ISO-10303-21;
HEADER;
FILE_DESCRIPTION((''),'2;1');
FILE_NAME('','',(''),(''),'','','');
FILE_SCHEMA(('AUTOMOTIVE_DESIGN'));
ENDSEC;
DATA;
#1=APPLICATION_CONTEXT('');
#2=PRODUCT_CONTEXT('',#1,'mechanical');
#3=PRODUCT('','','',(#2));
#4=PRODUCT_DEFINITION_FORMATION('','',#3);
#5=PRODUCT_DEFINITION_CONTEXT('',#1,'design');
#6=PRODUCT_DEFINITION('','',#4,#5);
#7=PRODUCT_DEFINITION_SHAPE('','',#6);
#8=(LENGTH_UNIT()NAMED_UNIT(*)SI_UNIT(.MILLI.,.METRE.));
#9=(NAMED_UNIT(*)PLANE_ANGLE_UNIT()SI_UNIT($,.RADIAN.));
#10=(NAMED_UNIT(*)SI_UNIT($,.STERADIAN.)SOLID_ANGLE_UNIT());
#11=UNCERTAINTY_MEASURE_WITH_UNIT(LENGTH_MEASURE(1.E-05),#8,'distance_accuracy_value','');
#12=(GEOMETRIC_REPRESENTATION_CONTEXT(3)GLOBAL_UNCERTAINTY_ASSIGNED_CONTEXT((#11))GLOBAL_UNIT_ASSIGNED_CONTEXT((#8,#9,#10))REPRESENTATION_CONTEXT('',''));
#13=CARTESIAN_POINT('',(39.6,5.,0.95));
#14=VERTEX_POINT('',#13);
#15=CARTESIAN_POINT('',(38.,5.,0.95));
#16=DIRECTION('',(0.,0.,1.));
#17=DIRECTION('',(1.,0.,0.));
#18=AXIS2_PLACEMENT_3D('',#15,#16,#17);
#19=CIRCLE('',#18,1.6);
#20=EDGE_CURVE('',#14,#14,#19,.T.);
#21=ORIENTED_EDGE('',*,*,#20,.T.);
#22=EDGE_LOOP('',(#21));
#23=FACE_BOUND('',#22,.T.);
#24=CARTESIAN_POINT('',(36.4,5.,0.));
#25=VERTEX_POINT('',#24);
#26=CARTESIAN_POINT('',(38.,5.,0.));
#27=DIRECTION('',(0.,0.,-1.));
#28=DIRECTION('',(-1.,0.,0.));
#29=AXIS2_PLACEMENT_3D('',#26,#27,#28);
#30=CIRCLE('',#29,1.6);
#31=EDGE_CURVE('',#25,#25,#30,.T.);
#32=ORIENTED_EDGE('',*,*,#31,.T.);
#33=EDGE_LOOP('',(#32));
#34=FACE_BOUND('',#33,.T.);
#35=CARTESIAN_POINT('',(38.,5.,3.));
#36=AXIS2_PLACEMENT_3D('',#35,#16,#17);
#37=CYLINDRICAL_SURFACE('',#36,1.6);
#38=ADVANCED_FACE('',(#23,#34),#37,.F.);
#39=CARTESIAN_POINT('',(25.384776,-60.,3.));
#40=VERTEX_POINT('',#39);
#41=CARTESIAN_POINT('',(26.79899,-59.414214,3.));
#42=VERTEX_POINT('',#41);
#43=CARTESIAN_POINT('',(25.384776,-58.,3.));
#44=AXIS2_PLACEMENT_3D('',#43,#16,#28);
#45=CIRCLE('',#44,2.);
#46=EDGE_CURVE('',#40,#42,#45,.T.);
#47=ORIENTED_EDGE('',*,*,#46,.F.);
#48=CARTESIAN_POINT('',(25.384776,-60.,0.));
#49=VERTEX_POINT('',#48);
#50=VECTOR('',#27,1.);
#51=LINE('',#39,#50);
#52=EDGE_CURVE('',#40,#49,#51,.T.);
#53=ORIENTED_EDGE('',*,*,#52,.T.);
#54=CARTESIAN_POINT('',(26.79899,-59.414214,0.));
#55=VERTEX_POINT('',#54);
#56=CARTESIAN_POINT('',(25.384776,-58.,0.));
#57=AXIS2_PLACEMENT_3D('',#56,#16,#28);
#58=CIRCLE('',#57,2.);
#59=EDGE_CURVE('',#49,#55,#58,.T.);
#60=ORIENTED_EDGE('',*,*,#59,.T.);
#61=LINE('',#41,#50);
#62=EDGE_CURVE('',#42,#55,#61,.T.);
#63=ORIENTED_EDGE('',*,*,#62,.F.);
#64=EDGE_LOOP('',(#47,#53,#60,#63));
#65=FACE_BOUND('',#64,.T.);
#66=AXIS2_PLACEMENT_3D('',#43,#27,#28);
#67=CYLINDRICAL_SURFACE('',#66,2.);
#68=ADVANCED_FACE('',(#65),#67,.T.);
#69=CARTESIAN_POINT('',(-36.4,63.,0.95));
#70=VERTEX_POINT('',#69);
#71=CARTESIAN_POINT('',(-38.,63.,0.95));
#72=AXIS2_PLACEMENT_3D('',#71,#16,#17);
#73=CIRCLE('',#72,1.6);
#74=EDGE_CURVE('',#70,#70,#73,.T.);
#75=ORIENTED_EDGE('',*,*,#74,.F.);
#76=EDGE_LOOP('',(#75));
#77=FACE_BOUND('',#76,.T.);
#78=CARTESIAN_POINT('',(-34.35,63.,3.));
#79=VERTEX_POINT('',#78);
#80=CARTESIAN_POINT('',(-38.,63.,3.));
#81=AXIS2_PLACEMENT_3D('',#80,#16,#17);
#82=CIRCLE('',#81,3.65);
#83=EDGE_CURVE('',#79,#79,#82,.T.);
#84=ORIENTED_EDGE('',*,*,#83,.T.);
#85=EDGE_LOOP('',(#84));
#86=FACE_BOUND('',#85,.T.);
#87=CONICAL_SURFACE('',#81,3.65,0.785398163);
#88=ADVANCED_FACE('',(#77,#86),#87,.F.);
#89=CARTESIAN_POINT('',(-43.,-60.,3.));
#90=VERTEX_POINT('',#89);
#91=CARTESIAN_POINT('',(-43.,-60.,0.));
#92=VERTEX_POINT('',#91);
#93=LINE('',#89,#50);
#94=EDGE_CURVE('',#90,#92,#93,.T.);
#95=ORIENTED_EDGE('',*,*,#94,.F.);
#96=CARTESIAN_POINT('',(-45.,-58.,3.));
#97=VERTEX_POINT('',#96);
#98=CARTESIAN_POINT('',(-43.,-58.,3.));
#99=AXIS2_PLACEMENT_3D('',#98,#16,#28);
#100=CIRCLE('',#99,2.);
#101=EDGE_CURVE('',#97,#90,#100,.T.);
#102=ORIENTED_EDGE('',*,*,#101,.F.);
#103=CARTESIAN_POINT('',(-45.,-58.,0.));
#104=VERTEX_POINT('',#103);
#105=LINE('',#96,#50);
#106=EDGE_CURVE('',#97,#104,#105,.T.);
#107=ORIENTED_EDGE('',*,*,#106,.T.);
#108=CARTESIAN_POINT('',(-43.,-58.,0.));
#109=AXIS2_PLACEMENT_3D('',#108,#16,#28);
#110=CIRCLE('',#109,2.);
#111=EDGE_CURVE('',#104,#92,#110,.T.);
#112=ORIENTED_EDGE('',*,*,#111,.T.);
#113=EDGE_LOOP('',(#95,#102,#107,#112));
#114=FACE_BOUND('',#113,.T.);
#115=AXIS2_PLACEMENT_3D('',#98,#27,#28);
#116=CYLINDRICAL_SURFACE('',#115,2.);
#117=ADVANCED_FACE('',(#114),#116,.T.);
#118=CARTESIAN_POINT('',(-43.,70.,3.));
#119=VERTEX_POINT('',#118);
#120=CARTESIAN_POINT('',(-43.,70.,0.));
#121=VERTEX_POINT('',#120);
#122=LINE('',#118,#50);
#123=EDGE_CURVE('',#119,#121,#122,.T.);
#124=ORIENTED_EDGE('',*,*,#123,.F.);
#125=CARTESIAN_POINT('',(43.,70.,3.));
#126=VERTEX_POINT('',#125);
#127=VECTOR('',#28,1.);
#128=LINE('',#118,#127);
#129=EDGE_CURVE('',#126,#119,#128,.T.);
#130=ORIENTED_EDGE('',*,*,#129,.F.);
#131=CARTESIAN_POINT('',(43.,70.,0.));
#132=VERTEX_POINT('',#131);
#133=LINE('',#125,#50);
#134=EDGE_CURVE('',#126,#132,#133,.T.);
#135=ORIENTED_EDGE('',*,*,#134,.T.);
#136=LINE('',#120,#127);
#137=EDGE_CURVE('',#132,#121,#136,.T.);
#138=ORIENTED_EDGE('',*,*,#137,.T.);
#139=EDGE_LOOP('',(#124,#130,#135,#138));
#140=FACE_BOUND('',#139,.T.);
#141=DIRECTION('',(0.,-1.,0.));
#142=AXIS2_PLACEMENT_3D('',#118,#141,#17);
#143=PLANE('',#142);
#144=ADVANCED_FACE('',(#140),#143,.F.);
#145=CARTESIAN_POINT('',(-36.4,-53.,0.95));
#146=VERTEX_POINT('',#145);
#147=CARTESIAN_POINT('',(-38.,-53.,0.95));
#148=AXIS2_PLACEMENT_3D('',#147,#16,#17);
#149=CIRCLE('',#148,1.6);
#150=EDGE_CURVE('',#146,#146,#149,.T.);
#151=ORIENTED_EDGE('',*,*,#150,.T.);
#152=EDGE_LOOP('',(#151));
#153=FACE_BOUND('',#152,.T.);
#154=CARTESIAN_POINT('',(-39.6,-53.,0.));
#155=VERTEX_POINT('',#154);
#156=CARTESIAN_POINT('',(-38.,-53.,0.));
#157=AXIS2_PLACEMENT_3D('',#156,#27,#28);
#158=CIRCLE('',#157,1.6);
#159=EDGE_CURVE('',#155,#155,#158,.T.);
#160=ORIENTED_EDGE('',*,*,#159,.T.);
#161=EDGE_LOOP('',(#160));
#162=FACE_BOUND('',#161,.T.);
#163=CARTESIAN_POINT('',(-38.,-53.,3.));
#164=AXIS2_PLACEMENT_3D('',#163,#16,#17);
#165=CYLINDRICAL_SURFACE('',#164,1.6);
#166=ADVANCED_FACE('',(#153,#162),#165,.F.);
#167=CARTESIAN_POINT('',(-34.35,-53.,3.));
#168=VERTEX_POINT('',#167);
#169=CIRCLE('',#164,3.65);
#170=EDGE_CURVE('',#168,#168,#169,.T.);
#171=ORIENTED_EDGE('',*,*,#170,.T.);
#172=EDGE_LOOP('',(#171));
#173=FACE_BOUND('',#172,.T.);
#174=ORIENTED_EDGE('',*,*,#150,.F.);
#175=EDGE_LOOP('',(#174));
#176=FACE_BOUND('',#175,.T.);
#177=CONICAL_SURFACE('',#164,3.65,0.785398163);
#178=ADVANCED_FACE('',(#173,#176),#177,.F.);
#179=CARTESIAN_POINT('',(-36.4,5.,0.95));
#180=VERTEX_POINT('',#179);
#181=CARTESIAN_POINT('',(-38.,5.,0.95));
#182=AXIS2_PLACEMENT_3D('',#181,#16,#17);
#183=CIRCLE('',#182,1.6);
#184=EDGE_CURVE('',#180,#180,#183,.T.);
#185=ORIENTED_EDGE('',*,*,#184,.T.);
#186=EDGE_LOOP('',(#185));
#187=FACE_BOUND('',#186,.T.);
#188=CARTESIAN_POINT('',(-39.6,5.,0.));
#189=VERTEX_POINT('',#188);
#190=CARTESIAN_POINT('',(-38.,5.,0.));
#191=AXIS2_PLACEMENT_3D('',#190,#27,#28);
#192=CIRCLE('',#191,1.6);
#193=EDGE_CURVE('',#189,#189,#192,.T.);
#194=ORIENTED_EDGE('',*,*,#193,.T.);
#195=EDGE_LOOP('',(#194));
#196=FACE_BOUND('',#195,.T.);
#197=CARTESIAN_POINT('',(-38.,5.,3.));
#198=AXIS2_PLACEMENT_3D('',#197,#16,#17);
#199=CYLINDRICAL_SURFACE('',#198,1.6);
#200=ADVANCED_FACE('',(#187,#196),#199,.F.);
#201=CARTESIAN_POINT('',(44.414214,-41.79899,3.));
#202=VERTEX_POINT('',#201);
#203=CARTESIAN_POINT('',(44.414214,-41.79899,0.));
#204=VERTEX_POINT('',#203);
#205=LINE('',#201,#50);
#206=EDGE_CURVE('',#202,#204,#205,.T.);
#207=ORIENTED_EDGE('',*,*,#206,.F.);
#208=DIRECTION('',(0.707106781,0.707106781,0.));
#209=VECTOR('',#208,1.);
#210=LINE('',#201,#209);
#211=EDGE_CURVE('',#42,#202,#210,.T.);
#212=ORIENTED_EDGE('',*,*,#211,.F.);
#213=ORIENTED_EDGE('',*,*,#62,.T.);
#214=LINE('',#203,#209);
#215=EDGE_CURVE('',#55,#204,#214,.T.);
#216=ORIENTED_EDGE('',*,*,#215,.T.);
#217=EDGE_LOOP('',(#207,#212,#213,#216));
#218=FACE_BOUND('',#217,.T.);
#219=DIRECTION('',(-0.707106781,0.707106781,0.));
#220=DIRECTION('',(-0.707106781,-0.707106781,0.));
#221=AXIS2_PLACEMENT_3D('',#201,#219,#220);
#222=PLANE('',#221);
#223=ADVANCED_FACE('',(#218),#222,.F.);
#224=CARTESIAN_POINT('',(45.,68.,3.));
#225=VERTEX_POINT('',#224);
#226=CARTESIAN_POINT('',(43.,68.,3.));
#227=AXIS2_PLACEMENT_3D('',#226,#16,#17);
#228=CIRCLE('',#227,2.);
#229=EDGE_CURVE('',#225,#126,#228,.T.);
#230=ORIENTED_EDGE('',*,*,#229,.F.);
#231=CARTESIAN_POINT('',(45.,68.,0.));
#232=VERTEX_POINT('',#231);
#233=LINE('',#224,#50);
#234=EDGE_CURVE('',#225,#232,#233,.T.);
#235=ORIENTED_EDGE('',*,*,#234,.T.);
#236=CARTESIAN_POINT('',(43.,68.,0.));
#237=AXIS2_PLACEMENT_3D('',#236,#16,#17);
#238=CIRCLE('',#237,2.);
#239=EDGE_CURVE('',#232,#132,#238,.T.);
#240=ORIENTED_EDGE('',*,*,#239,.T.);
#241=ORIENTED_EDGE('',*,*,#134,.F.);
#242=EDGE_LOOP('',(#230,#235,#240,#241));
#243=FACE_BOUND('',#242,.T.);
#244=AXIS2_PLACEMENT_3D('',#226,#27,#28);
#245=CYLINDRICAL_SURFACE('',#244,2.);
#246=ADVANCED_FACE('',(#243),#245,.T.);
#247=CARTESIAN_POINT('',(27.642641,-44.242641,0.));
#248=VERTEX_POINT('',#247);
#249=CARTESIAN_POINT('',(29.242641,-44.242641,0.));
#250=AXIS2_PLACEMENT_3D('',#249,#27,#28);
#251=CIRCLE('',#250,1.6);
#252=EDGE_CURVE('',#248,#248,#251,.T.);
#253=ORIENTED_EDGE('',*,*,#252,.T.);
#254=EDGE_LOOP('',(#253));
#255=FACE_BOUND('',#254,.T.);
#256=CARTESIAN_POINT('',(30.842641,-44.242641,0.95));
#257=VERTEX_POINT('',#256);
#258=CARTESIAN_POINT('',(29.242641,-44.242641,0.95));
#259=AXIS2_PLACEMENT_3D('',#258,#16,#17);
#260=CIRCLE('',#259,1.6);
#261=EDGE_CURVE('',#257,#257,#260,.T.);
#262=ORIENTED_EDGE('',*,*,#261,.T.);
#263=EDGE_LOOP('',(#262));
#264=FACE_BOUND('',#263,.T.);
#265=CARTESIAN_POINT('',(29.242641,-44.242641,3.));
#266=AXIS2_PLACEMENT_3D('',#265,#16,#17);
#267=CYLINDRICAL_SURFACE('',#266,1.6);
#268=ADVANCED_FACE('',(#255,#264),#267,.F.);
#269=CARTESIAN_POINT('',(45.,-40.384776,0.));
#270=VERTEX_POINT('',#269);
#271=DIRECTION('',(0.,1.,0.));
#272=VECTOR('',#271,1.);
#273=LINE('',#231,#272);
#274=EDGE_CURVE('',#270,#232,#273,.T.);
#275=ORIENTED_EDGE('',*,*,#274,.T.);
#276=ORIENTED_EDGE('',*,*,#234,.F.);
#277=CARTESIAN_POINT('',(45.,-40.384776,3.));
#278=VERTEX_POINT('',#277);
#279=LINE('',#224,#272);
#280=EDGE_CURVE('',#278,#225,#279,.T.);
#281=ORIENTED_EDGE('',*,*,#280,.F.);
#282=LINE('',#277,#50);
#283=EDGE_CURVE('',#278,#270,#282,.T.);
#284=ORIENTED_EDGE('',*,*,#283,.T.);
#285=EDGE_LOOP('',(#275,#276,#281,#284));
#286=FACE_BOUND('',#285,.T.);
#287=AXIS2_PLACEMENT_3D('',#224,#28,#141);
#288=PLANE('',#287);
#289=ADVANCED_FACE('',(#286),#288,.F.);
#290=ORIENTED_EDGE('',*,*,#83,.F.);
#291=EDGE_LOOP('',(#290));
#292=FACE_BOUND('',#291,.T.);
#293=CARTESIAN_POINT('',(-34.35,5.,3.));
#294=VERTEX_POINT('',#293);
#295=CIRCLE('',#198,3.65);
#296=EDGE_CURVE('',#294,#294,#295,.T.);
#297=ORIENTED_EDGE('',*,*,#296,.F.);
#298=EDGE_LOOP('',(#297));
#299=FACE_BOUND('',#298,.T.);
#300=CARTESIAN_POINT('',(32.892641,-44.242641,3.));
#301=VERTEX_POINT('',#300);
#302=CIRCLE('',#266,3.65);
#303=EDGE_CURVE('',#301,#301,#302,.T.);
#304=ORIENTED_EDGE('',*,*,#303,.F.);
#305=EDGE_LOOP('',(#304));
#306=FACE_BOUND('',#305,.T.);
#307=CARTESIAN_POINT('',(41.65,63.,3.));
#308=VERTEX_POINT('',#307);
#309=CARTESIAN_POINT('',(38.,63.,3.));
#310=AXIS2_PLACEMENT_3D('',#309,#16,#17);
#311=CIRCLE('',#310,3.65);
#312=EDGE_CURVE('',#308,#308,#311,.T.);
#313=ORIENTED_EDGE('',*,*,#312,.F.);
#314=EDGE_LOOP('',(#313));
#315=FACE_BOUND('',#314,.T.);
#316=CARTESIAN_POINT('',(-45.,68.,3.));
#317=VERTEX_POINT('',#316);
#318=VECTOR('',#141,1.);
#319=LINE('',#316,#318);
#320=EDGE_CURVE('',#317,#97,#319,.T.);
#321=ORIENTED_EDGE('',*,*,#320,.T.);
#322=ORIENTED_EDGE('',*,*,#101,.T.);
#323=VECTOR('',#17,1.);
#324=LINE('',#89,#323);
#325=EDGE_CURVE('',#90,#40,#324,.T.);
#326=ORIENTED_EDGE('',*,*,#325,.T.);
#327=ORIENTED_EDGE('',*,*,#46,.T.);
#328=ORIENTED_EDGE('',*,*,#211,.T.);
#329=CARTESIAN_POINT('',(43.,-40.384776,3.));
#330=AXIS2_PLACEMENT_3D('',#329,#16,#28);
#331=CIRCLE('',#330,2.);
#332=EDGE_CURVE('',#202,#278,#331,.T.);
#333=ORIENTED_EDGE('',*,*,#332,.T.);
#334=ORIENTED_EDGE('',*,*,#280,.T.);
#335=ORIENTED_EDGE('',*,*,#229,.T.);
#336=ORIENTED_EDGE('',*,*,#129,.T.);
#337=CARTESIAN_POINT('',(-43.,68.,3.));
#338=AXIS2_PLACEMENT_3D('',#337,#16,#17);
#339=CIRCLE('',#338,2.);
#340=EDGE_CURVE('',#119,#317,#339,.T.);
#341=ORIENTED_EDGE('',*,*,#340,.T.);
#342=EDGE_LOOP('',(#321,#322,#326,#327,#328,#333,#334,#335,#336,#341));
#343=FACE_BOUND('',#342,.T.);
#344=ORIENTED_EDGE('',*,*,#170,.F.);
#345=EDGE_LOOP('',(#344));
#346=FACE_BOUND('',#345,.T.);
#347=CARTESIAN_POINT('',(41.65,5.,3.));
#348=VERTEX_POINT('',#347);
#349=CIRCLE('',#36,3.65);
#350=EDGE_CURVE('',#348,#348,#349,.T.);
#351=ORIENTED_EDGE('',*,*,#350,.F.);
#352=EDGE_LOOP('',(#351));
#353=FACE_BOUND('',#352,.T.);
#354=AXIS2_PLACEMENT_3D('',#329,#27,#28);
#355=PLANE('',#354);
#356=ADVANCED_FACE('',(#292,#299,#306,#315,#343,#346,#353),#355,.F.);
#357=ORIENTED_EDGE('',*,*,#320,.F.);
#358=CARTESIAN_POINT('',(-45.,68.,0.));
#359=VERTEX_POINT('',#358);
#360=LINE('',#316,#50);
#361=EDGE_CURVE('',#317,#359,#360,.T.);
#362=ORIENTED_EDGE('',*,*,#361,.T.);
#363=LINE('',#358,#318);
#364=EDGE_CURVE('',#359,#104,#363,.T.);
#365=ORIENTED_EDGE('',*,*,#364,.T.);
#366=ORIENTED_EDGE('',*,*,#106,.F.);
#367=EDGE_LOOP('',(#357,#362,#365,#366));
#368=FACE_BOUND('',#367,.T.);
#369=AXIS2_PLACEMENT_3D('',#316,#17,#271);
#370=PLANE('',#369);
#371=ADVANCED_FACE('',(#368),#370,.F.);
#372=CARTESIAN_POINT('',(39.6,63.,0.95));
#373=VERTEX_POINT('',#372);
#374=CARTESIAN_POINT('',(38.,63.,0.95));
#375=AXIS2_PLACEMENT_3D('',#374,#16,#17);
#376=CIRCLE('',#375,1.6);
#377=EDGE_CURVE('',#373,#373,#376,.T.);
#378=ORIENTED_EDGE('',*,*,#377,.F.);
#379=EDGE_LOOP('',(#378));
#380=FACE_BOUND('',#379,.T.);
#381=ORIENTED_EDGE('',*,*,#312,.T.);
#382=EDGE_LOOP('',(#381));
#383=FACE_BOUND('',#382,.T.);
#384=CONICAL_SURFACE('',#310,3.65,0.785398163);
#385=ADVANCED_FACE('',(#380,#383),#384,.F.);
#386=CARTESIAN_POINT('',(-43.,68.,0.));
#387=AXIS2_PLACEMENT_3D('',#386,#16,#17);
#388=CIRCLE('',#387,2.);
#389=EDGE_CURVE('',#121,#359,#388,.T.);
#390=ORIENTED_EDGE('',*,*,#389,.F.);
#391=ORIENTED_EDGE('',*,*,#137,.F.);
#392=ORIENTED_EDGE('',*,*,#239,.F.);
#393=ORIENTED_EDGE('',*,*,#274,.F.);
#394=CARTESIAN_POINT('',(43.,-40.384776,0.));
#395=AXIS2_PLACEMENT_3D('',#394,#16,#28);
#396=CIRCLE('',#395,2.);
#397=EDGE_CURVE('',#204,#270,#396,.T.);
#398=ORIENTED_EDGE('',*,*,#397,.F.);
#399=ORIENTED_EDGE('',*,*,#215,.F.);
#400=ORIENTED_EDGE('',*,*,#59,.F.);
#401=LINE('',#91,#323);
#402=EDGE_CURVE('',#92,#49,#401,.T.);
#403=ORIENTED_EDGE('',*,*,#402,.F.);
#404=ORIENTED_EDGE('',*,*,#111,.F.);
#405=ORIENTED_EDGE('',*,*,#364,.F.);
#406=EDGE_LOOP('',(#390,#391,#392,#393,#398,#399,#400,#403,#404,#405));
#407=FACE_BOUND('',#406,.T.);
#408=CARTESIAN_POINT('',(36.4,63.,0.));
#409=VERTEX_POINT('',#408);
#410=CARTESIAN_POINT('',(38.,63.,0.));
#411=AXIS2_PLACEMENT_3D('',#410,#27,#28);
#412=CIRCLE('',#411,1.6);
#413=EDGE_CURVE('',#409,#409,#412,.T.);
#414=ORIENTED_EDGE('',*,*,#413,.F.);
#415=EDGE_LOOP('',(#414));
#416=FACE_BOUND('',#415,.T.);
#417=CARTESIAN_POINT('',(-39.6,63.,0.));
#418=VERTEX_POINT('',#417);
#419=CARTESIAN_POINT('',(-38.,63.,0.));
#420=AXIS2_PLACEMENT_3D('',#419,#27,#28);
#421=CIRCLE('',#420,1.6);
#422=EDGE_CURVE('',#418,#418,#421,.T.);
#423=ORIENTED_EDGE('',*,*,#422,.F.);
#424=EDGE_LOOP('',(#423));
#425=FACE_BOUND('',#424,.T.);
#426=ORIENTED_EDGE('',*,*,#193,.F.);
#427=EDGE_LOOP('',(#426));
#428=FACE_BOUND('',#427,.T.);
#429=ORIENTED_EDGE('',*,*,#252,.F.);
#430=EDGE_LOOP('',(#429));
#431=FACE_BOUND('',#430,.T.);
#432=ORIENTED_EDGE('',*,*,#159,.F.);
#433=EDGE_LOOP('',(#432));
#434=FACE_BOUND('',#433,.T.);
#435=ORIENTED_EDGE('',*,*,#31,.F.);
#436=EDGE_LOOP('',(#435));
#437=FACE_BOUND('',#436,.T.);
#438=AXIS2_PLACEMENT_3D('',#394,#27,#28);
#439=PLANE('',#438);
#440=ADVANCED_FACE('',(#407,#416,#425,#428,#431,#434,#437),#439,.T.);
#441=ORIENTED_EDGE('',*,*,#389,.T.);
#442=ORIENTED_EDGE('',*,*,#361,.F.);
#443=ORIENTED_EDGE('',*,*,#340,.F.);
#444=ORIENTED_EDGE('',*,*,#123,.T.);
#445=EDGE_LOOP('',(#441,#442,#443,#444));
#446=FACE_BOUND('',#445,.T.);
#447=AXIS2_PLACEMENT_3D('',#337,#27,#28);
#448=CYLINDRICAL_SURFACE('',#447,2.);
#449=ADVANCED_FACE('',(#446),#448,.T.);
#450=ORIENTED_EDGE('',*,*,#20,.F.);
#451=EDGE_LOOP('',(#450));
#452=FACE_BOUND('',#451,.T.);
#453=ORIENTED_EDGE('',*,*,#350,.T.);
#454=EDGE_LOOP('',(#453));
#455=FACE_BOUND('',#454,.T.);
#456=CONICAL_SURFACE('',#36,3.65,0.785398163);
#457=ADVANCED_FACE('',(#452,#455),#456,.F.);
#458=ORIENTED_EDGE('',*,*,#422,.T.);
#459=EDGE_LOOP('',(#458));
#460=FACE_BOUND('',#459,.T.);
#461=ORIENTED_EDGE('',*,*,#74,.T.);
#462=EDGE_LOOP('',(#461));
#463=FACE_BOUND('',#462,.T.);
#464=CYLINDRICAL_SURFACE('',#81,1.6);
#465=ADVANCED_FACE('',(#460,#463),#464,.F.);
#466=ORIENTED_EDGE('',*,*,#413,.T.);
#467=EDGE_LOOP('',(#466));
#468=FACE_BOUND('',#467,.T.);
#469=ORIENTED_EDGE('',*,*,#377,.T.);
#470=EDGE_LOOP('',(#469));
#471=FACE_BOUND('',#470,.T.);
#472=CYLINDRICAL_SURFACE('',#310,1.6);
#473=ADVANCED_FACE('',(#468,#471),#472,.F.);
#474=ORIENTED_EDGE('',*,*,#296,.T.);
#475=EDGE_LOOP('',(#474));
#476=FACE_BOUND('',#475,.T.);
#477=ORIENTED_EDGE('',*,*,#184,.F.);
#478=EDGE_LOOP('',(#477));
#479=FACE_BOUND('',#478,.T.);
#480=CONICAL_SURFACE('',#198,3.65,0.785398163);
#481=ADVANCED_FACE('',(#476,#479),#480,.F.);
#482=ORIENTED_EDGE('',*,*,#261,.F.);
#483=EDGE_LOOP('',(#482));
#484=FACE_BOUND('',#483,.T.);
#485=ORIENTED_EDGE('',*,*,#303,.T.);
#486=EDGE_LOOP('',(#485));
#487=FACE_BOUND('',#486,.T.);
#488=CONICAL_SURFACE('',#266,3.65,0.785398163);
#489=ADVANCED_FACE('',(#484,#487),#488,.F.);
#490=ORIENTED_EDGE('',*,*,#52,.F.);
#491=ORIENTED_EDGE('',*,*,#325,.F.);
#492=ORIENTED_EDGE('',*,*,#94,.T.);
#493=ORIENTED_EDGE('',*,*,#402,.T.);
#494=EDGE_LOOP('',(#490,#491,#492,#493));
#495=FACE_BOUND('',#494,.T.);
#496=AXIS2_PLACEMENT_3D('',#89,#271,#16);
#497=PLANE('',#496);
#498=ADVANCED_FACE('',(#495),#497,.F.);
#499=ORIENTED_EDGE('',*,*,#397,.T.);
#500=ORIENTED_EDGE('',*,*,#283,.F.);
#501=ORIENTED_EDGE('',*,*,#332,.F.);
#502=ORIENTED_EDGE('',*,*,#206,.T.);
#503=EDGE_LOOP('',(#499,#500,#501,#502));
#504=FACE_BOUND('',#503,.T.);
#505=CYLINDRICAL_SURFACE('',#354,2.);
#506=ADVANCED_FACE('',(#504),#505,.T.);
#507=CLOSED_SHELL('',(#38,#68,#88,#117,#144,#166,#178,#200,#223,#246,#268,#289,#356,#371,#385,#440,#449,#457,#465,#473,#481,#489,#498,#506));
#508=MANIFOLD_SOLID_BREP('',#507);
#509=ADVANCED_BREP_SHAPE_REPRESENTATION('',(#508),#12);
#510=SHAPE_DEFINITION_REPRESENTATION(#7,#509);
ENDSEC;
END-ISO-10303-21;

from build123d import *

# Parameters (mm, degrees)
BOSS_EXTRUDE1_DEPTH                                 = 3
CSK_FOR_M3_COUNTERSUNK_FLAT_HEAD_SCREW1_D           = 3.2
CSK_FOR_M3_COUNTERSUNK_FLAT_HEAD_SCREW1_DEPTH       = 5
CSK_FOR_M3_COUNTERSUNK_FLAT_HEAD_SCREW1_CSINK_D     = 7.3
CSK_FOR_M3_COUNTERSUNK_FLAT_HEAD_SCREW1_CSINK_ANGLE = 90
CSK_FOR_M3_COUNTERSUNK_FLAT_HEAD_SCREW1_TIP         = 0.96137699


with BuildPart() as part:
    # Sketch1 → Boss-Extrude1 (new body)
    with BuildSketch(Plane.XY):
        with BuildLine():
            Line((-43, 70), (43, 70))
            ThreePointArc((43, 70), (44.414213562, 69.414213562), (45, 68))
            Line((45, 68), (45, -40.384776311))
            ThreePointArc((45, -40.384776311), (44.847759065, -41.150143176), (44.414213562, -41.798989873))
            Line((44.414213562, -41.798989873), (26.798989873, -59.414213562))
            ThreePointArc((26.798989873, -59.414213562), (26.150143176, -59.847759065), (25.384776311, -60))
            Line((25.384776311, -60), (-43, -60))
            ThreePointArc((-43, -60), (-44.414213562, -59.414213562), (-45, -58))
            Line((-45, -58), (-45, 68))
            ThreePointArc((-45, 68), (-44.414213562, 69.414213562), (-43, 70))
        make_face()
    extrude(amount=BOSS_EXTRUDE1_DEPTH)

    # CSK for M3 Countersunk Flat Head Screw1
    with Locations(Plane(origin=(-38, -53, 3), x_dir=(1, 0, 0), z_dir=(0, 0, 1))):
        with Locations((0, 0), (67.242640687, 8.757359313), (76, 58), (0, 58), (0, 116), (76, 116)):
            CounterSinkHole(CSK_FOR_M3_COUNTERSUNK_FLAT_HEAD_SCREW1_D / 2, CSK_FOR_M3_COUNTERSUNK_FLAT_HEAD_SCREW1_CSINK_D / 2, depth=CSK_FOR_M3_COUNTERSUNK_FLAT_HEAD_SCREW1_DEPTH, counter_sink_angle=CSK_FOR_M3_COUNTERSUNK_FLAT_HEAD_SCREW1_CSINK_ANGLE)
            with Locations((0, 0, -(CSK_FOR_M3_COUNTERSUNK_FLAT_HEAD_SCREW1_DEPTH + CSK_FOR_M3_COUNTERSUNK_FLAT_HEAD_SCREW1_TIP / 2))):  # 118° drill point
                Cone(0, CSK_FOR_M3_COUNTERSUNK_FLAT_HEAD_SCREW1_D / 2, CSK_FOR_M3_COUNTERSUNK_FLAT_HEAD_SCREW1_TIP, mode=Mode.SUBTRACT)


solid = part.part
